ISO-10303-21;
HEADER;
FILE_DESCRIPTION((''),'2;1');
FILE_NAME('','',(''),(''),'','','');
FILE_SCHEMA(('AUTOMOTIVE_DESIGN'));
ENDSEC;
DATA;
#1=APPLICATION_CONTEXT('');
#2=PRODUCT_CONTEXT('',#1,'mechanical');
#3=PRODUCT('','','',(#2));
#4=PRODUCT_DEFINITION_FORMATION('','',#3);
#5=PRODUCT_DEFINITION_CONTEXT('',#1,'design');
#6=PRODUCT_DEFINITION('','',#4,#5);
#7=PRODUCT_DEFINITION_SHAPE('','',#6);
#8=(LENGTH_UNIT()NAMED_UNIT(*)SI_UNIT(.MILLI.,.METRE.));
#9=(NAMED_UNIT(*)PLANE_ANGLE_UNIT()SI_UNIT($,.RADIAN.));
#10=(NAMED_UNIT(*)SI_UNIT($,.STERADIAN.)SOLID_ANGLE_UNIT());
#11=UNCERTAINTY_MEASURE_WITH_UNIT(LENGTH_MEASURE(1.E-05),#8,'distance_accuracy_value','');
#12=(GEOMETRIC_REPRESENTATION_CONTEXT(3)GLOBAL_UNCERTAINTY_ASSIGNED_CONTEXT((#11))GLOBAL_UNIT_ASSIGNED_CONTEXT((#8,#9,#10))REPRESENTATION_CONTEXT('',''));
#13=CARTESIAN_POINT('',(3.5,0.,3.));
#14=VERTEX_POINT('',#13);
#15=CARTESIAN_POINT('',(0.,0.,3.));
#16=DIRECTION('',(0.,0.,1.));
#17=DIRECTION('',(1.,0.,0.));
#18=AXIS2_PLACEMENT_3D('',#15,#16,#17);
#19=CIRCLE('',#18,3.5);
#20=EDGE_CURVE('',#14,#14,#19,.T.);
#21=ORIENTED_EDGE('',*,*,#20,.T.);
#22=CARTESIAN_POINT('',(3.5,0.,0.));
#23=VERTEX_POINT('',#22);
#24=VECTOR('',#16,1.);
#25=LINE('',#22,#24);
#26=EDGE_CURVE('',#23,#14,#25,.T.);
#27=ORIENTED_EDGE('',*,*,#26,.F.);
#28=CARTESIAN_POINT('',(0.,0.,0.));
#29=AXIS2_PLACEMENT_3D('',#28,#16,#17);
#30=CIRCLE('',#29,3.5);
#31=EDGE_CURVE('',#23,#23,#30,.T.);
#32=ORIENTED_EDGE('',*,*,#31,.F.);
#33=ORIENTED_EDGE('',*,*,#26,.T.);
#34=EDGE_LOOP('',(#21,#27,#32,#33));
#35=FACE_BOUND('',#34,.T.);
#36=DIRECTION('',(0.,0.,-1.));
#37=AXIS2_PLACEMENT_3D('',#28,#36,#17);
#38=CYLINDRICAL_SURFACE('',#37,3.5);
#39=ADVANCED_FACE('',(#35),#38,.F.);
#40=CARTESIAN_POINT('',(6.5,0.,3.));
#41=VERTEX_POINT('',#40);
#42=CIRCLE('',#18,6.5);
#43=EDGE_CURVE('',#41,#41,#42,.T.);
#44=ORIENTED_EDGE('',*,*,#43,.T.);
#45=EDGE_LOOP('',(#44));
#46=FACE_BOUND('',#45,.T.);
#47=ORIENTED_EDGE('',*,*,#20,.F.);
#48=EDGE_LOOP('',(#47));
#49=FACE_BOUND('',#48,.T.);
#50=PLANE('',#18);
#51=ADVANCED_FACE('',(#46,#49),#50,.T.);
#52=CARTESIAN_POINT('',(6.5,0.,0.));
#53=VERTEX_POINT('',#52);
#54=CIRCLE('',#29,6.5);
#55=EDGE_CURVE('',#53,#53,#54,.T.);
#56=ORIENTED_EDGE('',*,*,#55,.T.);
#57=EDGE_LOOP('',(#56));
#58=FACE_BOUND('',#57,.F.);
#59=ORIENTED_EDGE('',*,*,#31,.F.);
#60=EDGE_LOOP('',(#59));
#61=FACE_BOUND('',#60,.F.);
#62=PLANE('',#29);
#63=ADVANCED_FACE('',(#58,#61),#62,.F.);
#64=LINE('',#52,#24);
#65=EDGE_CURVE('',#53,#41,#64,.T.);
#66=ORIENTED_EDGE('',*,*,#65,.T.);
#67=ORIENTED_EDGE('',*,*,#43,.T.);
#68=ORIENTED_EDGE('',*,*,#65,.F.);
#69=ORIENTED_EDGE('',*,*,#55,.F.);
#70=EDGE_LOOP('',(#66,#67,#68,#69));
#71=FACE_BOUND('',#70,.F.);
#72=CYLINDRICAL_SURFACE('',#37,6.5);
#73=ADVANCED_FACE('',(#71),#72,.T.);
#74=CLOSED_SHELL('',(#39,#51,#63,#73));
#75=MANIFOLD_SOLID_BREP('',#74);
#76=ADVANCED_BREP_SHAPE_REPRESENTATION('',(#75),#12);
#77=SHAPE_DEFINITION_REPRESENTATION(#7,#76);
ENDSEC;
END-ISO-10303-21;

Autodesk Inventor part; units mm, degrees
ref_plane "YZ Plane" through (0, 0, 0) normal (1, 0, 0) x (0, 1, 0)
ref_plane "XZ Plane" through (0, 0, 0) normal (0, 1, 0) x (-1, 0, 0)
ref_plane "XY Plane" through (0, 0, 0) normal (0, 0, 1) x (1, 0, 0)
sketch "스케치1" plane through (0, 0, 0) normal (0, 0, 1) x (1, 0, 0)
  circle A0 centre (0, 0) radius 6.5
  circle A1 centre (0, 0) radius 3.5
  dimension "d0" = 13
  dimension "d1" = 7
extrude "돌출1" add sketch "스케치1" along normal blind 3
properties part number "큰베어링4" material "스테인리스스틸"
